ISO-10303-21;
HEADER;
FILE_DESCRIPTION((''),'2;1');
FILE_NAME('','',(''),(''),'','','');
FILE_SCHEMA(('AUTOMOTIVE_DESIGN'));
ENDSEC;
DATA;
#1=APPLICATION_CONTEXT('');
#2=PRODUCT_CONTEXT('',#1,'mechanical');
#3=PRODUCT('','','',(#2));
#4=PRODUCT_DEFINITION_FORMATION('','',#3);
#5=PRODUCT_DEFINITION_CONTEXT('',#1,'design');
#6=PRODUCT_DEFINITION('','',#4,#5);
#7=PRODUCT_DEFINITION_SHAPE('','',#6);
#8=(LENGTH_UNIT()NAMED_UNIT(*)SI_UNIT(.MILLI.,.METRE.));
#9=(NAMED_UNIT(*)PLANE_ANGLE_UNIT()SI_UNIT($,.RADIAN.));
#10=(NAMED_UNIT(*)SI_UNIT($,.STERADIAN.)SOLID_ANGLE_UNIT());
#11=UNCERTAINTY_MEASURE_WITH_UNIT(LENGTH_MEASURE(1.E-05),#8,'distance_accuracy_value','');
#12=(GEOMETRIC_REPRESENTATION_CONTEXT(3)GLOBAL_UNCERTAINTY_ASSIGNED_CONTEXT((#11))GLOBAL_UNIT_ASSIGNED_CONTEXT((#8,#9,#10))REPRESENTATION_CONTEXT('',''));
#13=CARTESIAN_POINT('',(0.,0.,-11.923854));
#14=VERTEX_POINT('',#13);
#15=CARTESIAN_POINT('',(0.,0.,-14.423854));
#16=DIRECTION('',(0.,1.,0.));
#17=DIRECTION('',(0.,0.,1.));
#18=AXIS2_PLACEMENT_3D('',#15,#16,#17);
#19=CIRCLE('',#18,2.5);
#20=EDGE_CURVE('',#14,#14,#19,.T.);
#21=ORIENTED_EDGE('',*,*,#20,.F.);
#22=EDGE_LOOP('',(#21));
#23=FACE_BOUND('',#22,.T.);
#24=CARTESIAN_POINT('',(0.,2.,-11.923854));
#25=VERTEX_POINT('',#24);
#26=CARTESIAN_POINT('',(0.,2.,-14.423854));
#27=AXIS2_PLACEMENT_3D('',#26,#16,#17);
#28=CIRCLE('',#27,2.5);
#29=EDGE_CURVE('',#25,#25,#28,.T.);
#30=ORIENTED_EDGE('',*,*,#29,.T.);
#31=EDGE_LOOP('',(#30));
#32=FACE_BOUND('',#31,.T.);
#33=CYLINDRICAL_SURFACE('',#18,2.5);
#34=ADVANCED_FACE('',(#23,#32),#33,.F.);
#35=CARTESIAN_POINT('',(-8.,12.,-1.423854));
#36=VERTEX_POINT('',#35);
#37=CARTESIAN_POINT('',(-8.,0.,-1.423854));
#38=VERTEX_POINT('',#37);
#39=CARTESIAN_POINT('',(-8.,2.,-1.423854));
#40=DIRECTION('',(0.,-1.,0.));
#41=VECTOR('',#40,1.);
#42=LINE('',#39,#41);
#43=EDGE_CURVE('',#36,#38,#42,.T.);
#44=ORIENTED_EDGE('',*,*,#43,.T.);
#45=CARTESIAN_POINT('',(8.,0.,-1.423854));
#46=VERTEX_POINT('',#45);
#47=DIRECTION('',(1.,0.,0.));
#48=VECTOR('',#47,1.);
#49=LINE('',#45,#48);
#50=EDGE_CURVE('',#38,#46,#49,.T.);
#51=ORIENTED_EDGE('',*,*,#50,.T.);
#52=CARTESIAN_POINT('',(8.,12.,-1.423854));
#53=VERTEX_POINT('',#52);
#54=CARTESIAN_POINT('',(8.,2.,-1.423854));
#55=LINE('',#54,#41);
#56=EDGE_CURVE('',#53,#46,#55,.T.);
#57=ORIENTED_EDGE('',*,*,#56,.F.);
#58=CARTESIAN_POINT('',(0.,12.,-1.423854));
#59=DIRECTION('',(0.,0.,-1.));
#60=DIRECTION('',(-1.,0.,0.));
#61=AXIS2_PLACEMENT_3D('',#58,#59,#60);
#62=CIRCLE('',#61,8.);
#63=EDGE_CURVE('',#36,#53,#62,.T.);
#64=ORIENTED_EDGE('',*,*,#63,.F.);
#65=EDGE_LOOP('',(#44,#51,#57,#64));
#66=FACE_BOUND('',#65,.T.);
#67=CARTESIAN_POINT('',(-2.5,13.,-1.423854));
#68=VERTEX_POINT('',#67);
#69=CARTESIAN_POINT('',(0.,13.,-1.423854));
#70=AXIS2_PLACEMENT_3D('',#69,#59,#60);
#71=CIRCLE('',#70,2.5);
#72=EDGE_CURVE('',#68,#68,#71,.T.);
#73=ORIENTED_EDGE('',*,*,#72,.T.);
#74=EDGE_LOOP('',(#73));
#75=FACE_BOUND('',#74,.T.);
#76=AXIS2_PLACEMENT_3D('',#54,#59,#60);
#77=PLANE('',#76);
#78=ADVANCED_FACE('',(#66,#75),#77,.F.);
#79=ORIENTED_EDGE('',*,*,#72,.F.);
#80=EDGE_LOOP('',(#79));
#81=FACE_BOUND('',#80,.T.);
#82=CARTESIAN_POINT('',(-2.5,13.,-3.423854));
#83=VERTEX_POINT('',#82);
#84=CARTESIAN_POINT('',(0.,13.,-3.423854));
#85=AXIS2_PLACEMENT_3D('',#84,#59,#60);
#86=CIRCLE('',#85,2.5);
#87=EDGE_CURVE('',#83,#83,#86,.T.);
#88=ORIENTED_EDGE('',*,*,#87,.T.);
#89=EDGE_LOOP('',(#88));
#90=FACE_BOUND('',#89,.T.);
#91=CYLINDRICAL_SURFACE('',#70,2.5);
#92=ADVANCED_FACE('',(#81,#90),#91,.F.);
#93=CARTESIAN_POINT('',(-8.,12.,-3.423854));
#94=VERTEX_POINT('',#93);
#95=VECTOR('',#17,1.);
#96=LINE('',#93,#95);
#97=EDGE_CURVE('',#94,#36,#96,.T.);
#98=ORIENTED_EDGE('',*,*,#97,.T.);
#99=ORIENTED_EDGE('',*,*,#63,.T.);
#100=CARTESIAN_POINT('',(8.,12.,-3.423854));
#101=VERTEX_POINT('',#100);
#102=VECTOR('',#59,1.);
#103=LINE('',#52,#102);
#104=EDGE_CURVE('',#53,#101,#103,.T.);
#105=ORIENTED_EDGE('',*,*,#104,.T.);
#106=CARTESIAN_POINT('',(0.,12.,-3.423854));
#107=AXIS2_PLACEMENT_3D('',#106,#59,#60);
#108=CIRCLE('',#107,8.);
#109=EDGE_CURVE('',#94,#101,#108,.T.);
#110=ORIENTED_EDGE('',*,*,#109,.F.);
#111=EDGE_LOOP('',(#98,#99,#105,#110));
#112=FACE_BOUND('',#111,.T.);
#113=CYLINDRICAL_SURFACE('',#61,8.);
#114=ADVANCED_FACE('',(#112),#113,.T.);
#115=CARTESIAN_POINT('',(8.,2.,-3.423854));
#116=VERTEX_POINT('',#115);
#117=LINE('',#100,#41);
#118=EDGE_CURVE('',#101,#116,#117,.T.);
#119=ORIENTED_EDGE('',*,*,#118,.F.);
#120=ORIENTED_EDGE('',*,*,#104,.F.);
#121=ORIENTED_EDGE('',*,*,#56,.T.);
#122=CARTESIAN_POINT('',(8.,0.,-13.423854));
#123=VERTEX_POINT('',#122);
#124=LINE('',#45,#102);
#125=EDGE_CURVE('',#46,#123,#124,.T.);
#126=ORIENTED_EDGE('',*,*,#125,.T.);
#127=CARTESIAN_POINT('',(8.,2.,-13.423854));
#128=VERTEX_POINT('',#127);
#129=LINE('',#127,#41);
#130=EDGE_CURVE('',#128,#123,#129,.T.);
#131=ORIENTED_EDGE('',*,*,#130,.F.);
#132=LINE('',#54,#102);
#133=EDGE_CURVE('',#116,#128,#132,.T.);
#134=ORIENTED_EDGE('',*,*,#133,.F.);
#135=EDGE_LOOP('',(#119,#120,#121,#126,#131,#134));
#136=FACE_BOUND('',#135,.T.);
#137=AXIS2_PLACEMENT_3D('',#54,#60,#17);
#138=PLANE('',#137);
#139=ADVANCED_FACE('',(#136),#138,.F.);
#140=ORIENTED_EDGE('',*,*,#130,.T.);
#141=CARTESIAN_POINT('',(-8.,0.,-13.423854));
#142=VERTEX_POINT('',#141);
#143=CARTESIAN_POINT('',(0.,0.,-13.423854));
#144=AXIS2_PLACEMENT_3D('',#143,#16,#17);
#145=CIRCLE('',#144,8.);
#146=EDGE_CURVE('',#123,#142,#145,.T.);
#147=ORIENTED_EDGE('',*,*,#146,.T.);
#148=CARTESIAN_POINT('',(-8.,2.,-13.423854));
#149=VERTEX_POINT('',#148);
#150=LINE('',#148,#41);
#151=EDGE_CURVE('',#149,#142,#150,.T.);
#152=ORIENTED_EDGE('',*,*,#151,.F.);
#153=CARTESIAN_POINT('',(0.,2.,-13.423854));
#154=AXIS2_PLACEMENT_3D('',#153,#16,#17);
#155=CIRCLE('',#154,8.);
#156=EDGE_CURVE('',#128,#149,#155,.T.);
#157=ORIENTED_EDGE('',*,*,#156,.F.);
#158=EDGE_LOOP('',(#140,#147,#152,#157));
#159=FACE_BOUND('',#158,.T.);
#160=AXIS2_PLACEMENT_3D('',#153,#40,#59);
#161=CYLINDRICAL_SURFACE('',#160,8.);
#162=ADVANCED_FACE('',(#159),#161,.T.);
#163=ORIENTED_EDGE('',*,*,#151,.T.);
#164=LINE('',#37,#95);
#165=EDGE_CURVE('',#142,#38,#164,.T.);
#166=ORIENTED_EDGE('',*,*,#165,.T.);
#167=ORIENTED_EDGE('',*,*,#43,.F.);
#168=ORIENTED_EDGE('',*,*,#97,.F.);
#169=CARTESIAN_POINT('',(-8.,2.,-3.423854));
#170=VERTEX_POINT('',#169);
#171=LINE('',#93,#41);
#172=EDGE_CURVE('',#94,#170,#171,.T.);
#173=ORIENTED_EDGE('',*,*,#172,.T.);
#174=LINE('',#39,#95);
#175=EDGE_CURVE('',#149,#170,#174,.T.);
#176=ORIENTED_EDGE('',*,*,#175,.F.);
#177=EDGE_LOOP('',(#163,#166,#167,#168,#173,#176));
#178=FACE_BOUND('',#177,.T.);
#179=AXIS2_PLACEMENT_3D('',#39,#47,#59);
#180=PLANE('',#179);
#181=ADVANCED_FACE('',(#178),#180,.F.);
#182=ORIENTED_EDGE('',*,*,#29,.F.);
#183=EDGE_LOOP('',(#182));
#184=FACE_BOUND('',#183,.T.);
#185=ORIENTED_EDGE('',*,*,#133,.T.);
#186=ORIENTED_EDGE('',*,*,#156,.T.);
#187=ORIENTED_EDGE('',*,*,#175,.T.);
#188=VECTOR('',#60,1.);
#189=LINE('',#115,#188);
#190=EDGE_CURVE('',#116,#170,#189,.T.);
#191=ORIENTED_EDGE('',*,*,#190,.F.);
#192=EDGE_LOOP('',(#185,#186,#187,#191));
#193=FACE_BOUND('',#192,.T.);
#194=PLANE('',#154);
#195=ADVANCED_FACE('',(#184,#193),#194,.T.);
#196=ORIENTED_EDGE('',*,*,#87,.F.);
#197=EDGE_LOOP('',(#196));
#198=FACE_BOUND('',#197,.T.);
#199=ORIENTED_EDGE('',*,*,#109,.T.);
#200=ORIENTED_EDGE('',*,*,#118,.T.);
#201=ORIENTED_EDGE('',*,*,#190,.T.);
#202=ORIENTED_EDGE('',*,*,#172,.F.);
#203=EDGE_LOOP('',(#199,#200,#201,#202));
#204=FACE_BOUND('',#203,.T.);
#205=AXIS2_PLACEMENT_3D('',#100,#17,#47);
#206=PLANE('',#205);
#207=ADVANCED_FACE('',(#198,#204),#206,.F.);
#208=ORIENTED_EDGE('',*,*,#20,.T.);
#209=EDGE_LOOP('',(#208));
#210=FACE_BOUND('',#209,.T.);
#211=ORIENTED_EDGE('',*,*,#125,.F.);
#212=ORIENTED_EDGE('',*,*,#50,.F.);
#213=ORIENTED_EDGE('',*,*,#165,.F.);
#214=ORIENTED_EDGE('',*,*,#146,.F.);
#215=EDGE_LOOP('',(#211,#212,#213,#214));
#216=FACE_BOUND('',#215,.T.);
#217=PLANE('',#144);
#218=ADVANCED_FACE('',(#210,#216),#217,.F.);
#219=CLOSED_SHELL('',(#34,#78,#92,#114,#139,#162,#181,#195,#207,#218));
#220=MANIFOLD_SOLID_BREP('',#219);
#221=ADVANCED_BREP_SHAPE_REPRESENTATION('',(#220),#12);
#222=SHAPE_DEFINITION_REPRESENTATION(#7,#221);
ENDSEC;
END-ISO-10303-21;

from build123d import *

# Parameters (mm, degrees)
EXTRUDE_1_DEPTH     = 2
SKETCH_2_W          = 16
SKETCH_2_H          = 2
EXTRUDE_2_DEPTH     = 10
EXTRUDE_3_DEPTH     = 2
SKETCH_4_R          = 2.5
CUT_EXTRUDE_1_DEPTH = 3
SKETCH_5_R          = 2.5
CUT_EXTRUDE_2_DEPTH = 3


with BuildPart() as part:
    # 草图1 → 凸台-拉伸1 (new body)
    with BuildSketch(Plane(origin=(0, 0, 0), x_dir=(1, 0, 0), z_dir=(0, 1, 0))):
        with BuildLine():
            Line((8, 1.423853667), (-8, 1.423853667))
            Line((-8, 1.423853667), (-8, 13.423853667))
            ThreePointArc((-8, 13.423853667), (0, 21.423853667), (8, 13.423853667))
            Line((8, 13.423853667), (8, 1.423853667))
        make_face()
    extrude(amount=EXTRUDE_1_DEPTH)

    # 草图2 → 凸台-拉伸2 (add)
    with BuildSketch(Plane(origin=(0, 2, 0), x_dir=(1, 0, 0), z_dir=(0, 1, 0))):
        with Locations((0, 2.423853667)):
            Rectangle(SKETCH_2_W, SKETCH_2_H)
    extrude(amount=EXTRUDE_2_DEPTH)

    # 草图3 → 凸台-拉伸3 (add)
    with BuildSketch(Plane(origin=(0, 0, -3.423853667), x_dir=(-1, 0, 0), z_dir=(0, 0, -1))):
        with BuildLine():
            Line((-8, 12), (8, 12))
            ThreePointArc((8, 12), (0, 20), (-8, 12))
        make_face()
    extrude(amount=-EXTRUDE_3_DEPTH)

    # 草图4 → 切除-拉伸1 (cut, through all)
    with BuildSketch(Plane(origin=(0, 2, 0), x_dir=(1, 0, 0), z_dir=(0, 1, 0))):
        with Locations((0, 14.423853667)):
            Circle(SKETCH_4_R)
    extrude(amount=-CUT_EXTRUDE_1_DEPTH, mode=Mode.SUBTRACT)

    # 草图5 → 切除-拉伸2 (cut, through all)
    with BuildSketch(Plane(origin=(0, 0, -3.423853667), x_dir=(-1, 0, 0), z_dir=(0, 0, -1))):
        with Locations((0, 13)):
            Circle(SKETCH_5_R)
    extrude(amount=-CUT_EXTRUDE_2_DEPTH, mode=Mode.SUBTRACT)


solid = part.part
